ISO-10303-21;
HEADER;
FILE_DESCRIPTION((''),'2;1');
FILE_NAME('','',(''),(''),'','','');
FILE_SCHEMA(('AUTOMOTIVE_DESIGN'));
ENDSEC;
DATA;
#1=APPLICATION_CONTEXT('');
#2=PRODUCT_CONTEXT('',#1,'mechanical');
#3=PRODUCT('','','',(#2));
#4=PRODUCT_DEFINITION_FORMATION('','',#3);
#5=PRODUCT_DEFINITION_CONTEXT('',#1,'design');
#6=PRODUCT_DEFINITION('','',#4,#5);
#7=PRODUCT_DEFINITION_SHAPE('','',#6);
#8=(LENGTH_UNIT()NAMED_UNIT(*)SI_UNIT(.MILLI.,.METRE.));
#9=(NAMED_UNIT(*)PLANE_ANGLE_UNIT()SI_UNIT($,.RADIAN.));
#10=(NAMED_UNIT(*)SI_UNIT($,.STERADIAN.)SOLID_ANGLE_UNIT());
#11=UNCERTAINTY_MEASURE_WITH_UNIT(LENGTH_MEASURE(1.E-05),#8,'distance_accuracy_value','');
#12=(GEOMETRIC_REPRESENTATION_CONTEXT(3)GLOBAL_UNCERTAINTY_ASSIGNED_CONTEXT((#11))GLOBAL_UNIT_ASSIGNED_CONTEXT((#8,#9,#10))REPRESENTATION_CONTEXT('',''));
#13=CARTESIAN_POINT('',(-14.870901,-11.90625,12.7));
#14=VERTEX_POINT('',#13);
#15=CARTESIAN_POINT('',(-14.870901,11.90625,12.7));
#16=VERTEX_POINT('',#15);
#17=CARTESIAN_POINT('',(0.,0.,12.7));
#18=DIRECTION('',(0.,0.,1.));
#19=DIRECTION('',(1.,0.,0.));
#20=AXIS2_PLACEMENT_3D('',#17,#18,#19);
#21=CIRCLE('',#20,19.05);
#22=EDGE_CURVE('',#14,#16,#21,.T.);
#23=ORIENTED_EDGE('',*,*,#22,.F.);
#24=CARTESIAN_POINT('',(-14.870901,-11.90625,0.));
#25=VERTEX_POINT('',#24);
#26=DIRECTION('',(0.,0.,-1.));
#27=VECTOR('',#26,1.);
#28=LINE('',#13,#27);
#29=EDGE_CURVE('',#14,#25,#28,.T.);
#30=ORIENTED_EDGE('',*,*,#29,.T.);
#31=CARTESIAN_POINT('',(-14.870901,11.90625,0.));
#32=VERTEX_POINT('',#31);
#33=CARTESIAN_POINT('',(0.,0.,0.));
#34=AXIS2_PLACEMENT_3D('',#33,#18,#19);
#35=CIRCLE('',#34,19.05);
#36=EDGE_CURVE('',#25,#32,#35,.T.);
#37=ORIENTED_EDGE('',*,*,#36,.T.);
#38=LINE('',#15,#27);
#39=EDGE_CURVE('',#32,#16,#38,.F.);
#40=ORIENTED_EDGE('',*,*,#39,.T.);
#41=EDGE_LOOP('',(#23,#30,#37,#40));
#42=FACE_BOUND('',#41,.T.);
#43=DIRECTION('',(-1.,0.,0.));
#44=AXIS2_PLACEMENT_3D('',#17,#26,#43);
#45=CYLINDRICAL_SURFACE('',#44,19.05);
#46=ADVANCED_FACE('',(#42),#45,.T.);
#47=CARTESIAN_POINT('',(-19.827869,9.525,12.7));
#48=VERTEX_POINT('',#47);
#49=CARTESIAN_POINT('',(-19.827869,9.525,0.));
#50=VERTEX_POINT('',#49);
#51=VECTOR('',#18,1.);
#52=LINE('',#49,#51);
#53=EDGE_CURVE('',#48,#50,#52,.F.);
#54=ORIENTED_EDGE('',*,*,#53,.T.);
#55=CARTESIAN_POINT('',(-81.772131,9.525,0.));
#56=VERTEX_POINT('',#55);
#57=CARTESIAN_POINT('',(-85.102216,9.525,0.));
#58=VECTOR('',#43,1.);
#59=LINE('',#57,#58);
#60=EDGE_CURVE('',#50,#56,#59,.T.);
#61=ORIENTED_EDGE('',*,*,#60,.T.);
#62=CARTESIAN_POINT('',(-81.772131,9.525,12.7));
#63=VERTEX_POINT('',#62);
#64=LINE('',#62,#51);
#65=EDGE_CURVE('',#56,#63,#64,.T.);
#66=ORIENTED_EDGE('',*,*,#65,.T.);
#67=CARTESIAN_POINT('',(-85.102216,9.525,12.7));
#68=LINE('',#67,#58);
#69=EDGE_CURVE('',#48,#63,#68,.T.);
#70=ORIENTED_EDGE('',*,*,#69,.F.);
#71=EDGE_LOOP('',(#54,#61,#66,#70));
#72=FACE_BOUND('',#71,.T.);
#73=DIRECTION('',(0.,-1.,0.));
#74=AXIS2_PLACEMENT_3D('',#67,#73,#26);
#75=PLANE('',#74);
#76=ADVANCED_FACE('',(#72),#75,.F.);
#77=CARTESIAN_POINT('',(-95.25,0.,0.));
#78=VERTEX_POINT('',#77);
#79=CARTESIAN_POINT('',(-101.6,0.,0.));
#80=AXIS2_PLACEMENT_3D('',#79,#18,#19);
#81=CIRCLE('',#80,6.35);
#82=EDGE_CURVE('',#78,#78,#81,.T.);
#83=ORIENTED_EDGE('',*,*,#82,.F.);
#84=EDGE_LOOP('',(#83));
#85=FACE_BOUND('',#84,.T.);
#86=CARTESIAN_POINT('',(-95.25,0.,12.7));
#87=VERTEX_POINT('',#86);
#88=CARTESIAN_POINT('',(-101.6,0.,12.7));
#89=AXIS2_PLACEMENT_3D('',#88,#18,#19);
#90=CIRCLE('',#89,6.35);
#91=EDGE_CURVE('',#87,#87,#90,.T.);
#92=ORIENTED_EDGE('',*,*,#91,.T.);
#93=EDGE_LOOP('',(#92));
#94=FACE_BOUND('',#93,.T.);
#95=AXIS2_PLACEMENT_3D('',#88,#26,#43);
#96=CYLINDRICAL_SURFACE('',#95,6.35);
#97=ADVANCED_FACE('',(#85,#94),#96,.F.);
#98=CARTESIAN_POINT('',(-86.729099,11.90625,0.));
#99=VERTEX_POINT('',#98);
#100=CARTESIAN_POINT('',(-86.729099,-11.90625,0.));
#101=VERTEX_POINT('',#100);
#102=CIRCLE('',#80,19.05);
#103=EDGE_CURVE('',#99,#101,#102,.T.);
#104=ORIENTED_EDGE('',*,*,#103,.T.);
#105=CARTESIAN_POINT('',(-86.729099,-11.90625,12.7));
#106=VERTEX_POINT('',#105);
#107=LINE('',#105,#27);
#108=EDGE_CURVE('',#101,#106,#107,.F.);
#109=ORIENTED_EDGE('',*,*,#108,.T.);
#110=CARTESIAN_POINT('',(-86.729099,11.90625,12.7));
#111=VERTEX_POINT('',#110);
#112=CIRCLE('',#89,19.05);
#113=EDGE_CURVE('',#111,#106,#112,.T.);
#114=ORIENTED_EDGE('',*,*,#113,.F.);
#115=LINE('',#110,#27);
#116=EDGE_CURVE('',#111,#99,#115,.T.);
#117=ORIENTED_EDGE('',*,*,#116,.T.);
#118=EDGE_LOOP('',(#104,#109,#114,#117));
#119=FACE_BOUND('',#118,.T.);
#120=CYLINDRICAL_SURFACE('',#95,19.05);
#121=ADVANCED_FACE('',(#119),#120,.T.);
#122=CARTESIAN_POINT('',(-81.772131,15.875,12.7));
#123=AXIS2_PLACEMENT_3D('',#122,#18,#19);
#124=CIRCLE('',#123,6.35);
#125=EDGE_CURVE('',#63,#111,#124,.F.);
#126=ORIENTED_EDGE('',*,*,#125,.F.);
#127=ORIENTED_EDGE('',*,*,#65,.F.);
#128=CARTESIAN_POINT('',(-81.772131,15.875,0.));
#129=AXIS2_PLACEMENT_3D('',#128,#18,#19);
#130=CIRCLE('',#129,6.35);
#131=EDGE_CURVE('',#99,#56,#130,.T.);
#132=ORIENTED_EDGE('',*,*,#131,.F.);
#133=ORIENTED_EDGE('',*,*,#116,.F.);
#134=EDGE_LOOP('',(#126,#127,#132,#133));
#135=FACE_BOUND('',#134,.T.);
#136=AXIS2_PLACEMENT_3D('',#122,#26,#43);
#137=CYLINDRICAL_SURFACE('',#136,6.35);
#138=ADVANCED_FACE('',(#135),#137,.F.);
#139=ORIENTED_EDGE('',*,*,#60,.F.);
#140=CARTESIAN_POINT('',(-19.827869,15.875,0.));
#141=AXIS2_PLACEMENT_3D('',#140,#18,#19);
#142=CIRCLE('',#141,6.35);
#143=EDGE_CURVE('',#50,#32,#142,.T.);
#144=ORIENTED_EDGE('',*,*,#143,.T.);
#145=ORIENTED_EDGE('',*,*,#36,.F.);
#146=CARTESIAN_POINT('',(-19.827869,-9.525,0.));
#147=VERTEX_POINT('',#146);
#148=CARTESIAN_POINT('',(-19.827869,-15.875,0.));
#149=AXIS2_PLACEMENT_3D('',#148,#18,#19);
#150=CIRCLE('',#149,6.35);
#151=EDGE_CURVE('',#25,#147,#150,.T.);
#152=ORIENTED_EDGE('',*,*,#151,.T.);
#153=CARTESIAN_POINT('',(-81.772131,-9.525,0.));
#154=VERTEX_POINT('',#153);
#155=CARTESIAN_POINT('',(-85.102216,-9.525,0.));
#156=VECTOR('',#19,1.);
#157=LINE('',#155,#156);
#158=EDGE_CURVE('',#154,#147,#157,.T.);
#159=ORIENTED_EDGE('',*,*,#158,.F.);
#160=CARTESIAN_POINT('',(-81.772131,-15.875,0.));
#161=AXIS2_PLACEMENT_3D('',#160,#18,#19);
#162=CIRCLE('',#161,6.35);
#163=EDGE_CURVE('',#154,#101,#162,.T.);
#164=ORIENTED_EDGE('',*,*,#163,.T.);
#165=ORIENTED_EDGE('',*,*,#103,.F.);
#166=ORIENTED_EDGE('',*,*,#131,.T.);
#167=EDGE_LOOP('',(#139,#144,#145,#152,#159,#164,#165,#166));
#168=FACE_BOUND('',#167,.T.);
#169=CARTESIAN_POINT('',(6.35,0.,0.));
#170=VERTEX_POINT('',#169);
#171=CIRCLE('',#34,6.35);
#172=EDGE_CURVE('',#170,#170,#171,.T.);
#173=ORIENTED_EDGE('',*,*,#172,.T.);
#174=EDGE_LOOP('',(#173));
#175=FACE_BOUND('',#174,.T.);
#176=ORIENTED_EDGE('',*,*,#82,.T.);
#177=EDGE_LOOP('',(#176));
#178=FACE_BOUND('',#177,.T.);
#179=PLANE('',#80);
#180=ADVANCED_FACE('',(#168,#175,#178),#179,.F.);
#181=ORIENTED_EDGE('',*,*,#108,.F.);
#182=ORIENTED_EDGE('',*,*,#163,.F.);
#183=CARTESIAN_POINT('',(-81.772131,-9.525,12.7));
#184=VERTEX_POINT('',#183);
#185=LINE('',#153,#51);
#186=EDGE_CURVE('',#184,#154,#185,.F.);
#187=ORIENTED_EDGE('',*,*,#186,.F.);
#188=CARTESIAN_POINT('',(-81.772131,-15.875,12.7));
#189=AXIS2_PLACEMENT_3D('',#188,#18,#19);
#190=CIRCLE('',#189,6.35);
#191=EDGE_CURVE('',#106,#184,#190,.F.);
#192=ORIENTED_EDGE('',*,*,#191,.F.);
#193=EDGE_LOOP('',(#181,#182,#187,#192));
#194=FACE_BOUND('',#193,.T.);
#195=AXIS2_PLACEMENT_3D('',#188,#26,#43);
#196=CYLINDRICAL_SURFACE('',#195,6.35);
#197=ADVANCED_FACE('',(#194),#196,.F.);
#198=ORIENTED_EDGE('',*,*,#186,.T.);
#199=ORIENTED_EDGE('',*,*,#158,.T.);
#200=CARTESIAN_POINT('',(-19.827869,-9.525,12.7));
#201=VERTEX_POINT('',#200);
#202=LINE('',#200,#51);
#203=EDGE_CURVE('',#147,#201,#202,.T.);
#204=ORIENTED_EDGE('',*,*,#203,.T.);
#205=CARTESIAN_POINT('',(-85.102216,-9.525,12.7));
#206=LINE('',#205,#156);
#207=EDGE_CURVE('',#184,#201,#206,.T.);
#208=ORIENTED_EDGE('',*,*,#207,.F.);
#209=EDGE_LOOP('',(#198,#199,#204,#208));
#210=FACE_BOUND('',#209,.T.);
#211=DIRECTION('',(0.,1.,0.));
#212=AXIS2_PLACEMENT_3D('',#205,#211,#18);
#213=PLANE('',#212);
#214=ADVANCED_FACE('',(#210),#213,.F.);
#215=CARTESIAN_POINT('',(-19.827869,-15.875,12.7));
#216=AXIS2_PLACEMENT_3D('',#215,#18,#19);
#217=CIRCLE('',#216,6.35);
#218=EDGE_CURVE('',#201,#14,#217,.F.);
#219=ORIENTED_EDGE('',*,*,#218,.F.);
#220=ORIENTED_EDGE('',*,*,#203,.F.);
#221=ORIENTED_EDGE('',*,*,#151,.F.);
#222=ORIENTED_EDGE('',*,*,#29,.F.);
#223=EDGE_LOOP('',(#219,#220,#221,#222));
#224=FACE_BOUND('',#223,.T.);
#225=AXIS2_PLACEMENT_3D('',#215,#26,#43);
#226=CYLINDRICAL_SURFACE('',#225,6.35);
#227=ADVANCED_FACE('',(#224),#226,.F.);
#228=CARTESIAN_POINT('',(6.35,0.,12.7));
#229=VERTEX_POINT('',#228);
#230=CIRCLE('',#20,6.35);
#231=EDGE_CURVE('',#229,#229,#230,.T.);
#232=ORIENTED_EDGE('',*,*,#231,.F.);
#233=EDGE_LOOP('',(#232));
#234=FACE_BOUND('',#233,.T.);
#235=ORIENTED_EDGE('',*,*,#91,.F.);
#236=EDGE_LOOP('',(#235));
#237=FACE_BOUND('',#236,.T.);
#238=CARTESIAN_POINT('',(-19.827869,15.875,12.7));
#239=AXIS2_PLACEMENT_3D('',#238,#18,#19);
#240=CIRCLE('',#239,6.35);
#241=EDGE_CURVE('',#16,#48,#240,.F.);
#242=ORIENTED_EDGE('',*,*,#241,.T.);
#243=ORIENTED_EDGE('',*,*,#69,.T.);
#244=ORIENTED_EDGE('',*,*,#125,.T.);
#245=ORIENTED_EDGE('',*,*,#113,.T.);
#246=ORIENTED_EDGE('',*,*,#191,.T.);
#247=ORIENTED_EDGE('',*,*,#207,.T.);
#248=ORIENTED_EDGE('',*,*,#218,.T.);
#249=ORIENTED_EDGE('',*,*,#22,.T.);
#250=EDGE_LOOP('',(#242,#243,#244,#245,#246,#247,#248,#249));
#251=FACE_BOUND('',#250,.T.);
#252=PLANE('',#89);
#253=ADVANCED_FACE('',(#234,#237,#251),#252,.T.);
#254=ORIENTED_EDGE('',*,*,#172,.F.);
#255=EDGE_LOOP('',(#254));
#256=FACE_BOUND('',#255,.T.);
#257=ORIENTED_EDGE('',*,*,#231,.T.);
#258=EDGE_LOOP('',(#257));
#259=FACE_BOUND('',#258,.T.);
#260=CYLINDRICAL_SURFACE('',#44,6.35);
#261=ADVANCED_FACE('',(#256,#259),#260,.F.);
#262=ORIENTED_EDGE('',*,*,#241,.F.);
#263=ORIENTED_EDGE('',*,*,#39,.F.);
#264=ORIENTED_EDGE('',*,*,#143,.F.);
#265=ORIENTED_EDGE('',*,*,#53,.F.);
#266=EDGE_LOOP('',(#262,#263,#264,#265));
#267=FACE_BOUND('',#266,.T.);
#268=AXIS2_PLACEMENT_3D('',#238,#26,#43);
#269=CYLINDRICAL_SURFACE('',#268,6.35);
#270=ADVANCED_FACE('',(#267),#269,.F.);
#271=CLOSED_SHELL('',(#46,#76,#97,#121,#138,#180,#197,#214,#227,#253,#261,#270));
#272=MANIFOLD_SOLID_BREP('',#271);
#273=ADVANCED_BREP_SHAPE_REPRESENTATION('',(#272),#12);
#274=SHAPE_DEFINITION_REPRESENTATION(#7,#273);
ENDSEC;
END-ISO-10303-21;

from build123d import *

# Parameters (mm, degrees)
SKETCH1_R           = 6.35
BOSS_EXTRUDE1_DEPTH = 12.7
FILLET1_R           = 6.35


with BuildPart() as part:
    # Sketch1 → Boss-Extrude1 (new body)
    with BuildSketch(Plane.XY):
        with BuildLine():
            Line((-85.102216058, -9.525), (-16.497783942, -9.525))
            ThreePointArc((-16.497783942, -9.525), (19.05, 0), (-16.497783942, 9.525))
            Line((-16.497783942, 9.525), (-85.102216058, 9.525))
            ThreePointArc((-85.102216058, 9.525), (-120.65, 0), (-85.102216058, -9.525))
        make_face()
        Circle(SKETCH1_R, mode=Mode.SUBTRACT)
        with Locations((-101.6, 0)):
            Circle(SKETCH1_R, mode=Mode.SUBTRACT)
    extrude(amount=BOSS_EXTRUDE1_DEPTH)

    # Fillet1
    fillet1_edges = [part.edges().sort_by_distance(p)[0] for p in [
        (-85.102216058, 9.525, 6.35),
        (-16.497783942, 9.525, 6.35),
        (-16.497783942, -9.525, 6.35),
        (-85.102216058, -9.525, 6.35),
    ]]
    fillet(fillet1_edges, radius=FILLET1_R)


solid = part.part
